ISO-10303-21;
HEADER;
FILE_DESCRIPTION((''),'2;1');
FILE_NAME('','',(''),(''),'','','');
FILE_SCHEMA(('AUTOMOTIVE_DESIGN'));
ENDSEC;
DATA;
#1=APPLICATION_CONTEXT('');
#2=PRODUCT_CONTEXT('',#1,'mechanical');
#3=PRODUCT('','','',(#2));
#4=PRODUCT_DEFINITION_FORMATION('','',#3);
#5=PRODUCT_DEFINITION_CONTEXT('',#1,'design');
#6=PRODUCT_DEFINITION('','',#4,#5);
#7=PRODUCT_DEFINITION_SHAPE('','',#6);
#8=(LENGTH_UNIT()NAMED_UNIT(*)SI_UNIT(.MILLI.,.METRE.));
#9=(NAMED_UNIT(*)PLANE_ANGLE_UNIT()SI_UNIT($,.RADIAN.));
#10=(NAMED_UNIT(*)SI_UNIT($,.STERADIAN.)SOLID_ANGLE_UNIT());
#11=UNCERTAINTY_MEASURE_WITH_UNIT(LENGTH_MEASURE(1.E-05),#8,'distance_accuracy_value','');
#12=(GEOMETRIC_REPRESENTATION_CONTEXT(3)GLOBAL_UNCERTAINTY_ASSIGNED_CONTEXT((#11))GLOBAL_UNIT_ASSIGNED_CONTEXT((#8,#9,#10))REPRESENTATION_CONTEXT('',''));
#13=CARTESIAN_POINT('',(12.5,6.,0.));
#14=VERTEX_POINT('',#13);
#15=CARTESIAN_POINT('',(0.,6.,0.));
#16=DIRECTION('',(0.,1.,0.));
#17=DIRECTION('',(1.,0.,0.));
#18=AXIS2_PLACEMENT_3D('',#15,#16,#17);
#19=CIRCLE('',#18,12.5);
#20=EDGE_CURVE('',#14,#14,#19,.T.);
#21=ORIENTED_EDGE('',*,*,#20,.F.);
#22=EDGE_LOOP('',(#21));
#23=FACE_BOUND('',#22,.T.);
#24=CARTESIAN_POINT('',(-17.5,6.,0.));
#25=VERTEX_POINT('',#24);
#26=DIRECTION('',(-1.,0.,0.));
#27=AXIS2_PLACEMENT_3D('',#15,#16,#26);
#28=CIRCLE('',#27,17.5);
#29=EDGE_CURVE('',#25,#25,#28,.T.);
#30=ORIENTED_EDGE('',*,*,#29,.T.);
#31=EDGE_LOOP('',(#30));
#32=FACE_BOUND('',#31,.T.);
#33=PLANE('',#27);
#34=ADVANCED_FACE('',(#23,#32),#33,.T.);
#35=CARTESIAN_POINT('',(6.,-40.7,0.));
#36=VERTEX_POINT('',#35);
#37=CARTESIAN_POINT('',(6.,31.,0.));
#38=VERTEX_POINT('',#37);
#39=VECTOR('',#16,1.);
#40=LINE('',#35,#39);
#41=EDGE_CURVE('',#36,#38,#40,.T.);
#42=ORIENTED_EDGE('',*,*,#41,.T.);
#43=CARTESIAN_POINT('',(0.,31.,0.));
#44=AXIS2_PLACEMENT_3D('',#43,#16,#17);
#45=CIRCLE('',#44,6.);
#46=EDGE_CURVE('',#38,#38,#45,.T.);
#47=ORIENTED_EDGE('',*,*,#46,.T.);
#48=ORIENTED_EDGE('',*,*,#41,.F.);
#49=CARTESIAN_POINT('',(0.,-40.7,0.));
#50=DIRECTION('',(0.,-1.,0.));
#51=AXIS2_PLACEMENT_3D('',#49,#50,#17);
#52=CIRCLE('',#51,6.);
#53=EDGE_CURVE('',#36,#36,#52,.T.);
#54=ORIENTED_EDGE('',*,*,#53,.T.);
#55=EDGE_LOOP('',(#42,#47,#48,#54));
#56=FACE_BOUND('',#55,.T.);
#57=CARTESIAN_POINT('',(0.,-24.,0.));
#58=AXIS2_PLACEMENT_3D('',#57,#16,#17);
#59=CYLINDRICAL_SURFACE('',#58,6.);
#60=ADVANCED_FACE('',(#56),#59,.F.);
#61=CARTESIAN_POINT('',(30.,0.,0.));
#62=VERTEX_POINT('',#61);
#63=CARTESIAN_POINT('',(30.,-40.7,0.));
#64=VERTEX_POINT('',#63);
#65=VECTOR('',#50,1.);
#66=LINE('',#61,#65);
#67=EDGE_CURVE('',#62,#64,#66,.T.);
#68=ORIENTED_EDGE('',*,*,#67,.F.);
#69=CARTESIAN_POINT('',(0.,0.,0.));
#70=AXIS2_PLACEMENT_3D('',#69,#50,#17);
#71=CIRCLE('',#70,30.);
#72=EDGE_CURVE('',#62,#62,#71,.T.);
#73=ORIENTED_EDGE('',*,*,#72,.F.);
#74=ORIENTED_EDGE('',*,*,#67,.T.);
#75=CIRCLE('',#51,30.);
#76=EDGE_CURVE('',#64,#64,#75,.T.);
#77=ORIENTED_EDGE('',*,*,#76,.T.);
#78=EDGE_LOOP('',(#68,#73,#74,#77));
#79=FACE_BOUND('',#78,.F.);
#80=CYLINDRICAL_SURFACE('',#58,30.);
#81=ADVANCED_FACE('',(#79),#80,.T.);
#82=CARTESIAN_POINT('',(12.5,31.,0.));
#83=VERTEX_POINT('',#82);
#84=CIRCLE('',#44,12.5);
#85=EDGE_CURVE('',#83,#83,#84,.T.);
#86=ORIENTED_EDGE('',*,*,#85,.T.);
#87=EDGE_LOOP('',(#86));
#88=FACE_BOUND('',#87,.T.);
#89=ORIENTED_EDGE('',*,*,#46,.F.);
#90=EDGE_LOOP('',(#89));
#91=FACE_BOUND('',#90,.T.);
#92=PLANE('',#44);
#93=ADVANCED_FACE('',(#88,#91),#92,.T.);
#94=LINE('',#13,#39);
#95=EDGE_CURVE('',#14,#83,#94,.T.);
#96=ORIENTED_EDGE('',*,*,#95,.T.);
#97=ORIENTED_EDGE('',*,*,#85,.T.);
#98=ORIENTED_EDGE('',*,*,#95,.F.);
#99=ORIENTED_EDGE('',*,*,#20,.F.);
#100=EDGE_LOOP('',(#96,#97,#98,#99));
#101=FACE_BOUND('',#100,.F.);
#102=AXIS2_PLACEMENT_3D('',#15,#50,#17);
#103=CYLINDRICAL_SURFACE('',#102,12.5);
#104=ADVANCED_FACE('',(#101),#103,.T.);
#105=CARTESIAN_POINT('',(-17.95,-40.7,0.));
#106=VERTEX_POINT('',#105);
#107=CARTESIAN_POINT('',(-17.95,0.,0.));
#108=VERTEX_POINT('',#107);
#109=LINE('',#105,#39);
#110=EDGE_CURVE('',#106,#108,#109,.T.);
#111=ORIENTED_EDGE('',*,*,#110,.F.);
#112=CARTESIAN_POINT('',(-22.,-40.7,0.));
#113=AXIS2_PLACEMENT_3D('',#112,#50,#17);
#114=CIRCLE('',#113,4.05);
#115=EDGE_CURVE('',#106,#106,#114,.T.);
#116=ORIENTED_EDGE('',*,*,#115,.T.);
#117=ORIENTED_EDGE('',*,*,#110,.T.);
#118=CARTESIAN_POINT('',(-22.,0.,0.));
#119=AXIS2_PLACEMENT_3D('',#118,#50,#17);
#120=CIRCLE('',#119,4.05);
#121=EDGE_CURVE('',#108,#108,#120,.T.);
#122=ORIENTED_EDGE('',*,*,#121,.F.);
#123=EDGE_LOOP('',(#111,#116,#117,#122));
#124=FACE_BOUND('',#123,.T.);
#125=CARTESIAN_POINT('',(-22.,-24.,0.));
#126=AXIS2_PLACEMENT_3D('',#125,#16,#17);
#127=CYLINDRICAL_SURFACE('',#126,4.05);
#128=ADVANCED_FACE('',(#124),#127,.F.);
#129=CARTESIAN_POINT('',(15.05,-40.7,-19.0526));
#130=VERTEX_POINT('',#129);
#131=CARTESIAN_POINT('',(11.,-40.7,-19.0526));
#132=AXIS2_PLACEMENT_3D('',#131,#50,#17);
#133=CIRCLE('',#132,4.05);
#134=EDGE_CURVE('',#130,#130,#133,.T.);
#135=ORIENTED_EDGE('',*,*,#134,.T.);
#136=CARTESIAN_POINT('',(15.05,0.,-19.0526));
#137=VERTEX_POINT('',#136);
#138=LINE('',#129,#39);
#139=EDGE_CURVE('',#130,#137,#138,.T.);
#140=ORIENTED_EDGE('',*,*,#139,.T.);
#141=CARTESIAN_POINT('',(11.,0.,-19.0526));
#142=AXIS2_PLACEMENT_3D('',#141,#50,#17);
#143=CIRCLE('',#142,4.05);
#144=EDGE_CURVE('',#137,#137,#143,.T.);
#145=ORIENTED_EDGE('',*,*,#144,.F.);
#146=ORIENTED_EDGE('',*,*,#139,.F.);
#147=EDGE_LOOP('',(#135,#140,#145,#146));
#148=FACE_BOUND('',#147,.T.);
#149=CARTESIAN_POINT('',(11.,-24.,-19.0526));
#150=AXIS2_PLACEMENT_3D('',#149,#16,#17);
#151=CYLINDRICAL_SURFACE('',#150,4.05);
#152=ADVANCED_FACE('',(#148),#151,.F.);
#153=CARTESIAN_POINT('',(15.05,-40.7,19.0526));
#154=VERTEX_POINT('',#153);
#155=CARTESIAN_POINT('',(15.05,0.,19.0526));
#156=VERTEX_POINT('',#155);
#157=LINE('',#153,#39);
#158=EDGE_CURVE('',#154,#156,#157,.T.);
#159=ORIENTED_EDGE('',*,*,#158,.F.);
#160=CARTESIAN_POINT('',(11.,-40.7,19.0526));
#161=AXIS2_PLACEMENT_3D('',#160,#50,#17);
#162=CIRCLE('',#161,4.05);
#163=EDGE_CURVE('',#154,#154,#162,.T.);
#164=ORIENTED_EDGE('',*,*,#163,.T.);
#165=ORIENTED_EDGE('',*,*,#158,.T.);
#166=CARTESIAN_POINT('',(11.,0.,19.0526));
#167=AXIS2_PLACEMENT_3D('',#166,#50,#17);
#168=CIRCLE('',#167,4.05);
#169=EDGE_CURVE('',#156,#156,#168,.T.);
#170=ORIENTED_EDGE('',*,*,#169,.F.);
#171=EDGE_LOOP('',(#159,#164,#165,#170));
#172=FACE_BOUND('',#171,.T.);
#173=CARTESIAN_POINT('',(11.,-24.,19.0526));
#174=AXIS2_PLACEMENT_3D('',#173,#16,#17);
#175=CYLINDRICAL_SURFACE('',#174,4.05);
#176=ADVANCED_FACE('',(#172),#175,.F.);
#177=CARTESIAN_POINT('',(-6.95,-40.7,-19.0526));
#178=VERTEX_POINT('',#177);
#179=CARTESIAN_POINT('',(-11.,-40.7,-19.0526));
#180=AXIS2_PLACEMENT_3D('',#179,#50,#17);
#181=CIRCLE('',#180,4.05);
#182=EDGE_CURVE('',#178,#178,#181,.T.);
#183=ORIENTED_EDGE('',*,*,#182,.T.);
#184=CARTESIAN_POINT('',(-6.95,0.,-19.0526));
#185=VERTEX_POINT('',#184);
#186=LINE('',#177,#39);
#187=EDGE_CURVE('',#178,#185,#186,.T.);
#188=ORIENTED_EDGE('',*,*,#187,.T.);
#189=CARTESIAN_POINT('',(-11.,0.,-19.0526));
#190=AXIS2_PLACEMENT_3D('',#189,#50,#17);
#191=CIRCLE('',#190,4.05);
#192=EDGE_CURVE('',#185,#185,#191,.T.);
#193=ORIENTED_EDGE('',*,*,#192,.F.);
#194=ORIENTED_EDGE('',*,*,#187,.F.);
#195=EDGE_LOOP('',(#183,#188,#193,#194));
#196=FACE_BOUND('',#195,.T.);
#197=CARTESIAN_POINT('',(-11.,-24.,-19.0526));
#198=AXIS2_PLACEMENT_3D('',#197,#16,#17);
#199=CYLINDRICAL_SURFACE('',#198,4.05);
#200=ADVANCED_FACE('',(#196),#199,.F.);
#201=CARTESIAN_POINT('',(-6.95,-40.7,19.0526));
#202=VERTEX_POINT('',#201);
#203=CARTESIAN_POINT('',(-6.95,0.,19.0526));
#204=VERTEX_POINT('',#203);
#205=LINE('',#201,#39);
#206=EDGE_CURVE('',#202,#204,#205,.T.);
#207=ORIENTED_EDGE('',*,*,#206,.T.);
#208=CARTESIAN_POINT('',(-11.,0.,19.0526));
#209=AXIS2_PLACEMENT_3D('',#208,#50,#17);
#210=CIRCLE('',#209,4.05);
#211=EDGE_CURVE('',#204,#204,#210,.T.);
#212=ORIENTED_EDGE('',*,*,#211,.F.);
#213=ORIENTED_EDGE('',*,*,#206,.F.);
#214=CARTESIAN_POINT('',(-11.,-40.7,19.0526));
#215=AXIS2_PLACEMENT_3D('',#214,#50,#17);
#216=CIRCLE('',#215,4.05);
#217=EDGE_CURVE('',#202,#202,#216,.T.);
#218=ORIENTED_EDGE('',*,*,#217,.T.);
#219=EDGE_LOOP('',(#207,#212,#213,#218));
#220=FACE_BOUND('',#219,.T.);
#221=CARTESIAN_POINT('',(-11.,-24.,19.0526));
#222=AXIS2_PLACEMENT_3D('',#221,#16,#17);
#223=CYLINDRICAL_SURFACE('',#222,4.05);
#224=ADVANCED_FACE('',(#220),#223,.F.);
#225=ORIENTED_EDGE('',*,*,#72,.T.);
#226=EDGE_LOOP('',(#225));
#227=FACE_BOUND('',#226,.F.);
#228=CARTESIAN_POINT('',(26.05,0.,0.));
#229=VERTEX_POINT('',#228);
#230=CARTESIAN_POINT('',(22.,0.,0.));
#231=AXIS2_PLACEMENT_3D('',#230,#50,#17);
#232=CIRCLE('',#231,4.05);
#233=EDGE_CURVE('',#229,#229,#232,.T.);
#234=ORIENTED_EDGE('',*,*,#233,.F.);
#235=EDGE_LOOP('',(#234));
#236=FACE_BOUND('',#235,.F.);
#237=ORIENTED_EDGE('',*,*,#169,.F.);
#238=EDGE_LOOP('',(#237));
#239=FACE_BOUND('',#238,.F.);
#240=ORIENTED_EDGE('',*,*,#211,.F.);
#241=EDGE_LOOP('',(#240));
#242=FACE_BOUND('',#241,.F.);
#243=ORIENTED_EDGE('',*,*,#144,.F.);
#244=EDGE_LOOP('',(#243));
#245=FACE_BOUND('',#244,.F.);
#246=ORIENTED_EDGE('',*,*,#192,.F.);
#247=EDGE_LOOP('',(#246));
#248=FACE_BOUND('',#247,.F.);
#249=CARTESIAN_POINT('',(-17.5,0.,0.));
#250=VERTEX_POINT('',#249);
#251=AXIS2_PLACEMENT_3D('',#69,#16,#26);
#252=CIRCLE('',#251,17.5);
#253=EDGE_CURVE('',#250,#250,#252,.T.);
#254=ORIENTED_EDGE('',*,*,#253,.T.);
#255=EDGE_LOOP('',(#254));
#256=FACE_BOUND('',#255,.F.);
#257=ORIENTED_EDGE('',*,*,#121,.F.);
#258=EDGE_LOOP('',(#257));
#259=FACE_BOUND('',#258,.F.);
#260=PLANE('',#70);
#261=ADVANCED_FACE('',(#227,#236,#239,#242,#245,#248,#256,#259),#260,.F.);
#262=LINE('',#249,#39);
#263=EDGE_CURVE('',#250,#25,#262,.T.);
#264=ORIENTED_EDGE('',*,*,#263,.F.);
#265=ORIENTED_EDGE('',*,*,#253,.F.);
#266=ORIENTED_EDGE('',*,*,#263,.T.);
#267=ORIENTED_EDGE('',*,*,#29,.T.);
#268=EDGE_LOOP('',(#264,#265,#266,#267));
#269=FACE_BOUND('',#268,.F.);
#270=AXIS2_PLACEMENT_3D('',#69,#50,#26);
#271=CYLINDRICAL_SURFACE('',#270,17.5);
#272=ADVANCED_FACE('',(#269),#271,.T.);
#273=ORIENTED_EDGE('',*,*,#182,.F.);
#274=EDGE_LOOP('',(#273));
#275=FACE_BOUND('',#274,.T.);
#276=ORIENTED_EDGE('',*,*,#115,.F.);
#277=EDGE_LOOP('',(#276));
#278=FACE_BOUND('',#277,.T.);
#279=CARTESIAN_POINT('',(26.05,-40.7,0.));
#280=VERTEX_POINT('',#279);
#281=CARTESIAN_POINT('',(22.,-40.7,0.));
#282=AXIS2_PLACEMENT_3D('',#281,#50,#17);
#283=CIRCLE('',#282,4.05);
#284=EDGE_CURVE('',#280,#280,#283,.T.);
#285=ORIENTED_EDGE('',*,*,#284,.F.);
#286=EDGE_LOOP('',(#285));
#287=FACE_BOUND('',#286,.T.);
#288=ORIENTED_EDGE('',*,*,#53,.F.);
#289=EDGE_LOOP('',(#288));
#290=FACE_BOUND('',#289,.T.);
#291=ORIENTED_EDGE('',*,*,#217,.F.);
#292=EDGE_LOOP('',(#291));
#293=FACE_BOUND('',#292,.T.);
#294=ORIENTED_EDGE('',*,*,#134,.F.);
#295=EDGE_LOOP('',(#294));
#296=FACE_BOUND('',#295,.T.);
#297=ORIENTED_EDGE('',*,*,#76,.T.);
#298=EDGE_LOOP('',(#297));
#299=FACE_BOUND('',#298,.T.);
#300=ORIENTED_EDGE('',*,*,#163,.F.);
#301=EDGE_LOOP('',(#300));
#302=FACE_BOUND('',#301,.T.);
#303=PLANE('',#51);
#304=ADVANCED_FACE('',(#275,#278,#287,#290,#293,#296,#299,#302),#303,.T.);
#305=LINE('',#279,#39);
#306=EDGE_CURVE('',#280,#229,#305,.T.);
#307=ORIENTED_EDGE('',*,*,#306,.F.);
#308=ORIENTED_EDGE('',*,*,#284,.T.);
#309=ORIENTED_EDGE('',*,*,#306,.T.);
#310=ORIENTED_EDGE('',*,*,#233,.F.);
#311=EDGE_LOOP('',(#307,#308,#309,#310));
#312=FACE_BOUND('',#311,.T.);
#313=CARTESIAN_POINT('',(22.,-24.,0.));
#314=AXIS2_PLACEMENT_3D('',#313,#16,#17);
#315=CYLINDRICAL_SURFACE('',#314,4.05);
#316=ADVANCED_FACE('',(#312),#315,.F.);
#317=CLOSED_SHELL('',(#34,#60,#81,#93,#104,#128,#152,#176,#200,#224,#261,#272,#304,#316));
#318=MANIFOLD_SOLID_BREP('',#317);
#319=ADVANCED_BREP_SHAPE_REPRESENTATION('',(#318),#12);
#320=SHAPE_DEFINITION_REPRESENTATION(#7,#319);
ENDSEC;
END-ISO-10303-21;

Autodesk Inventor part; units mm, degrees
ref_plane "YZ Plane" through (0, 0, 0) normal (1, 0, 0) x (0, 1, 0)
ref_plane "XZ Plane" through (0, 0, 0) normal (0, 1, 0) x (-1, 0, 0)
ref_plane "XY Plane" through (0, 0, 0) normal (0, 0, 1) x (1, 0, 0)
sketch "Sketch1" plane through (0, 0, 0) normal (0, 1, 0) x (-1, 0, 0)
  circle A0 centre (0, 0) radius 17.5
  dimension "d0" = 35
extrude "Extrusion1" add sketch "Sketch1" along normal blind 6
sketch "Sketch2" plane through (0, 6, 0) normal (0, 1, 0) x (1, 0, 0)
  circle A0 centre (0, 0) radius 12.5
  dimension "d3" = 25
extrude "Extrusion2" add sketch "Sketch2" along normal blind 25
sketch "Sketch3" plane through (0, 31, 0) normal (0, 1, 0) x (1, 0, 0)
  circle A0 centre (0, 0) radius 6
extrude "Extrusion3" cut sketch "Sketch3" against normal blind 100
sketch "Sketch4" plane through (0, 0, 0) normal (0, -1, 0) x (1, 0, 0)
  circle A0 centre (0, 0) radius 6
  circle A1 centre (0, 0) radius 30
  circle A2 centre (22, 0) radius 4.05
  circle A3 centre (11, 19.0526) radius 4.05
  circle A4 centre (-11, 19.0526) radius 4.05
  circle A5 centre (-22, 0) radius 4.05
  circle A6 centre (-11, -19.0526) radius 4.05
  circle A7 centre (11, -19.0526) radius 4.05
  dimension "d8" = 60
  dimension "d11" = 12
  dimension "d12" = 22
  dimension "d13" = 8.1
  dimension "d16" = 360
extrude "Extrusion4" add sketch "Sketch4" along normal blind 24
sketch "Sketch5" plane through (0, -24, 0) normal (0, -1, 0) x (1, 0, 0)
  circle A0 centre (0, 0) radius 30 projected
  circle A1 centre (11, -19.0526) radius 4.05 projected
  circle A2 centre (-11, -19.0526) radius 4.05 projected
  circle A3 centre (-22, 0) radius 4.05 projected
  circle A4 centre (-11, 19.0526) radius 4.05 projected
  circle A5 centre (11, 19.0526) radius 4.05 projected
  circle A6 centre (22, 0) radius 4.05 projected
  circle A7 centre (0, 0) radius 6 projected
extrude "Extrusion5" add sketch "Sketch5" along normal blind 16.7
properties part number "MiniPodsipnikNatag"
